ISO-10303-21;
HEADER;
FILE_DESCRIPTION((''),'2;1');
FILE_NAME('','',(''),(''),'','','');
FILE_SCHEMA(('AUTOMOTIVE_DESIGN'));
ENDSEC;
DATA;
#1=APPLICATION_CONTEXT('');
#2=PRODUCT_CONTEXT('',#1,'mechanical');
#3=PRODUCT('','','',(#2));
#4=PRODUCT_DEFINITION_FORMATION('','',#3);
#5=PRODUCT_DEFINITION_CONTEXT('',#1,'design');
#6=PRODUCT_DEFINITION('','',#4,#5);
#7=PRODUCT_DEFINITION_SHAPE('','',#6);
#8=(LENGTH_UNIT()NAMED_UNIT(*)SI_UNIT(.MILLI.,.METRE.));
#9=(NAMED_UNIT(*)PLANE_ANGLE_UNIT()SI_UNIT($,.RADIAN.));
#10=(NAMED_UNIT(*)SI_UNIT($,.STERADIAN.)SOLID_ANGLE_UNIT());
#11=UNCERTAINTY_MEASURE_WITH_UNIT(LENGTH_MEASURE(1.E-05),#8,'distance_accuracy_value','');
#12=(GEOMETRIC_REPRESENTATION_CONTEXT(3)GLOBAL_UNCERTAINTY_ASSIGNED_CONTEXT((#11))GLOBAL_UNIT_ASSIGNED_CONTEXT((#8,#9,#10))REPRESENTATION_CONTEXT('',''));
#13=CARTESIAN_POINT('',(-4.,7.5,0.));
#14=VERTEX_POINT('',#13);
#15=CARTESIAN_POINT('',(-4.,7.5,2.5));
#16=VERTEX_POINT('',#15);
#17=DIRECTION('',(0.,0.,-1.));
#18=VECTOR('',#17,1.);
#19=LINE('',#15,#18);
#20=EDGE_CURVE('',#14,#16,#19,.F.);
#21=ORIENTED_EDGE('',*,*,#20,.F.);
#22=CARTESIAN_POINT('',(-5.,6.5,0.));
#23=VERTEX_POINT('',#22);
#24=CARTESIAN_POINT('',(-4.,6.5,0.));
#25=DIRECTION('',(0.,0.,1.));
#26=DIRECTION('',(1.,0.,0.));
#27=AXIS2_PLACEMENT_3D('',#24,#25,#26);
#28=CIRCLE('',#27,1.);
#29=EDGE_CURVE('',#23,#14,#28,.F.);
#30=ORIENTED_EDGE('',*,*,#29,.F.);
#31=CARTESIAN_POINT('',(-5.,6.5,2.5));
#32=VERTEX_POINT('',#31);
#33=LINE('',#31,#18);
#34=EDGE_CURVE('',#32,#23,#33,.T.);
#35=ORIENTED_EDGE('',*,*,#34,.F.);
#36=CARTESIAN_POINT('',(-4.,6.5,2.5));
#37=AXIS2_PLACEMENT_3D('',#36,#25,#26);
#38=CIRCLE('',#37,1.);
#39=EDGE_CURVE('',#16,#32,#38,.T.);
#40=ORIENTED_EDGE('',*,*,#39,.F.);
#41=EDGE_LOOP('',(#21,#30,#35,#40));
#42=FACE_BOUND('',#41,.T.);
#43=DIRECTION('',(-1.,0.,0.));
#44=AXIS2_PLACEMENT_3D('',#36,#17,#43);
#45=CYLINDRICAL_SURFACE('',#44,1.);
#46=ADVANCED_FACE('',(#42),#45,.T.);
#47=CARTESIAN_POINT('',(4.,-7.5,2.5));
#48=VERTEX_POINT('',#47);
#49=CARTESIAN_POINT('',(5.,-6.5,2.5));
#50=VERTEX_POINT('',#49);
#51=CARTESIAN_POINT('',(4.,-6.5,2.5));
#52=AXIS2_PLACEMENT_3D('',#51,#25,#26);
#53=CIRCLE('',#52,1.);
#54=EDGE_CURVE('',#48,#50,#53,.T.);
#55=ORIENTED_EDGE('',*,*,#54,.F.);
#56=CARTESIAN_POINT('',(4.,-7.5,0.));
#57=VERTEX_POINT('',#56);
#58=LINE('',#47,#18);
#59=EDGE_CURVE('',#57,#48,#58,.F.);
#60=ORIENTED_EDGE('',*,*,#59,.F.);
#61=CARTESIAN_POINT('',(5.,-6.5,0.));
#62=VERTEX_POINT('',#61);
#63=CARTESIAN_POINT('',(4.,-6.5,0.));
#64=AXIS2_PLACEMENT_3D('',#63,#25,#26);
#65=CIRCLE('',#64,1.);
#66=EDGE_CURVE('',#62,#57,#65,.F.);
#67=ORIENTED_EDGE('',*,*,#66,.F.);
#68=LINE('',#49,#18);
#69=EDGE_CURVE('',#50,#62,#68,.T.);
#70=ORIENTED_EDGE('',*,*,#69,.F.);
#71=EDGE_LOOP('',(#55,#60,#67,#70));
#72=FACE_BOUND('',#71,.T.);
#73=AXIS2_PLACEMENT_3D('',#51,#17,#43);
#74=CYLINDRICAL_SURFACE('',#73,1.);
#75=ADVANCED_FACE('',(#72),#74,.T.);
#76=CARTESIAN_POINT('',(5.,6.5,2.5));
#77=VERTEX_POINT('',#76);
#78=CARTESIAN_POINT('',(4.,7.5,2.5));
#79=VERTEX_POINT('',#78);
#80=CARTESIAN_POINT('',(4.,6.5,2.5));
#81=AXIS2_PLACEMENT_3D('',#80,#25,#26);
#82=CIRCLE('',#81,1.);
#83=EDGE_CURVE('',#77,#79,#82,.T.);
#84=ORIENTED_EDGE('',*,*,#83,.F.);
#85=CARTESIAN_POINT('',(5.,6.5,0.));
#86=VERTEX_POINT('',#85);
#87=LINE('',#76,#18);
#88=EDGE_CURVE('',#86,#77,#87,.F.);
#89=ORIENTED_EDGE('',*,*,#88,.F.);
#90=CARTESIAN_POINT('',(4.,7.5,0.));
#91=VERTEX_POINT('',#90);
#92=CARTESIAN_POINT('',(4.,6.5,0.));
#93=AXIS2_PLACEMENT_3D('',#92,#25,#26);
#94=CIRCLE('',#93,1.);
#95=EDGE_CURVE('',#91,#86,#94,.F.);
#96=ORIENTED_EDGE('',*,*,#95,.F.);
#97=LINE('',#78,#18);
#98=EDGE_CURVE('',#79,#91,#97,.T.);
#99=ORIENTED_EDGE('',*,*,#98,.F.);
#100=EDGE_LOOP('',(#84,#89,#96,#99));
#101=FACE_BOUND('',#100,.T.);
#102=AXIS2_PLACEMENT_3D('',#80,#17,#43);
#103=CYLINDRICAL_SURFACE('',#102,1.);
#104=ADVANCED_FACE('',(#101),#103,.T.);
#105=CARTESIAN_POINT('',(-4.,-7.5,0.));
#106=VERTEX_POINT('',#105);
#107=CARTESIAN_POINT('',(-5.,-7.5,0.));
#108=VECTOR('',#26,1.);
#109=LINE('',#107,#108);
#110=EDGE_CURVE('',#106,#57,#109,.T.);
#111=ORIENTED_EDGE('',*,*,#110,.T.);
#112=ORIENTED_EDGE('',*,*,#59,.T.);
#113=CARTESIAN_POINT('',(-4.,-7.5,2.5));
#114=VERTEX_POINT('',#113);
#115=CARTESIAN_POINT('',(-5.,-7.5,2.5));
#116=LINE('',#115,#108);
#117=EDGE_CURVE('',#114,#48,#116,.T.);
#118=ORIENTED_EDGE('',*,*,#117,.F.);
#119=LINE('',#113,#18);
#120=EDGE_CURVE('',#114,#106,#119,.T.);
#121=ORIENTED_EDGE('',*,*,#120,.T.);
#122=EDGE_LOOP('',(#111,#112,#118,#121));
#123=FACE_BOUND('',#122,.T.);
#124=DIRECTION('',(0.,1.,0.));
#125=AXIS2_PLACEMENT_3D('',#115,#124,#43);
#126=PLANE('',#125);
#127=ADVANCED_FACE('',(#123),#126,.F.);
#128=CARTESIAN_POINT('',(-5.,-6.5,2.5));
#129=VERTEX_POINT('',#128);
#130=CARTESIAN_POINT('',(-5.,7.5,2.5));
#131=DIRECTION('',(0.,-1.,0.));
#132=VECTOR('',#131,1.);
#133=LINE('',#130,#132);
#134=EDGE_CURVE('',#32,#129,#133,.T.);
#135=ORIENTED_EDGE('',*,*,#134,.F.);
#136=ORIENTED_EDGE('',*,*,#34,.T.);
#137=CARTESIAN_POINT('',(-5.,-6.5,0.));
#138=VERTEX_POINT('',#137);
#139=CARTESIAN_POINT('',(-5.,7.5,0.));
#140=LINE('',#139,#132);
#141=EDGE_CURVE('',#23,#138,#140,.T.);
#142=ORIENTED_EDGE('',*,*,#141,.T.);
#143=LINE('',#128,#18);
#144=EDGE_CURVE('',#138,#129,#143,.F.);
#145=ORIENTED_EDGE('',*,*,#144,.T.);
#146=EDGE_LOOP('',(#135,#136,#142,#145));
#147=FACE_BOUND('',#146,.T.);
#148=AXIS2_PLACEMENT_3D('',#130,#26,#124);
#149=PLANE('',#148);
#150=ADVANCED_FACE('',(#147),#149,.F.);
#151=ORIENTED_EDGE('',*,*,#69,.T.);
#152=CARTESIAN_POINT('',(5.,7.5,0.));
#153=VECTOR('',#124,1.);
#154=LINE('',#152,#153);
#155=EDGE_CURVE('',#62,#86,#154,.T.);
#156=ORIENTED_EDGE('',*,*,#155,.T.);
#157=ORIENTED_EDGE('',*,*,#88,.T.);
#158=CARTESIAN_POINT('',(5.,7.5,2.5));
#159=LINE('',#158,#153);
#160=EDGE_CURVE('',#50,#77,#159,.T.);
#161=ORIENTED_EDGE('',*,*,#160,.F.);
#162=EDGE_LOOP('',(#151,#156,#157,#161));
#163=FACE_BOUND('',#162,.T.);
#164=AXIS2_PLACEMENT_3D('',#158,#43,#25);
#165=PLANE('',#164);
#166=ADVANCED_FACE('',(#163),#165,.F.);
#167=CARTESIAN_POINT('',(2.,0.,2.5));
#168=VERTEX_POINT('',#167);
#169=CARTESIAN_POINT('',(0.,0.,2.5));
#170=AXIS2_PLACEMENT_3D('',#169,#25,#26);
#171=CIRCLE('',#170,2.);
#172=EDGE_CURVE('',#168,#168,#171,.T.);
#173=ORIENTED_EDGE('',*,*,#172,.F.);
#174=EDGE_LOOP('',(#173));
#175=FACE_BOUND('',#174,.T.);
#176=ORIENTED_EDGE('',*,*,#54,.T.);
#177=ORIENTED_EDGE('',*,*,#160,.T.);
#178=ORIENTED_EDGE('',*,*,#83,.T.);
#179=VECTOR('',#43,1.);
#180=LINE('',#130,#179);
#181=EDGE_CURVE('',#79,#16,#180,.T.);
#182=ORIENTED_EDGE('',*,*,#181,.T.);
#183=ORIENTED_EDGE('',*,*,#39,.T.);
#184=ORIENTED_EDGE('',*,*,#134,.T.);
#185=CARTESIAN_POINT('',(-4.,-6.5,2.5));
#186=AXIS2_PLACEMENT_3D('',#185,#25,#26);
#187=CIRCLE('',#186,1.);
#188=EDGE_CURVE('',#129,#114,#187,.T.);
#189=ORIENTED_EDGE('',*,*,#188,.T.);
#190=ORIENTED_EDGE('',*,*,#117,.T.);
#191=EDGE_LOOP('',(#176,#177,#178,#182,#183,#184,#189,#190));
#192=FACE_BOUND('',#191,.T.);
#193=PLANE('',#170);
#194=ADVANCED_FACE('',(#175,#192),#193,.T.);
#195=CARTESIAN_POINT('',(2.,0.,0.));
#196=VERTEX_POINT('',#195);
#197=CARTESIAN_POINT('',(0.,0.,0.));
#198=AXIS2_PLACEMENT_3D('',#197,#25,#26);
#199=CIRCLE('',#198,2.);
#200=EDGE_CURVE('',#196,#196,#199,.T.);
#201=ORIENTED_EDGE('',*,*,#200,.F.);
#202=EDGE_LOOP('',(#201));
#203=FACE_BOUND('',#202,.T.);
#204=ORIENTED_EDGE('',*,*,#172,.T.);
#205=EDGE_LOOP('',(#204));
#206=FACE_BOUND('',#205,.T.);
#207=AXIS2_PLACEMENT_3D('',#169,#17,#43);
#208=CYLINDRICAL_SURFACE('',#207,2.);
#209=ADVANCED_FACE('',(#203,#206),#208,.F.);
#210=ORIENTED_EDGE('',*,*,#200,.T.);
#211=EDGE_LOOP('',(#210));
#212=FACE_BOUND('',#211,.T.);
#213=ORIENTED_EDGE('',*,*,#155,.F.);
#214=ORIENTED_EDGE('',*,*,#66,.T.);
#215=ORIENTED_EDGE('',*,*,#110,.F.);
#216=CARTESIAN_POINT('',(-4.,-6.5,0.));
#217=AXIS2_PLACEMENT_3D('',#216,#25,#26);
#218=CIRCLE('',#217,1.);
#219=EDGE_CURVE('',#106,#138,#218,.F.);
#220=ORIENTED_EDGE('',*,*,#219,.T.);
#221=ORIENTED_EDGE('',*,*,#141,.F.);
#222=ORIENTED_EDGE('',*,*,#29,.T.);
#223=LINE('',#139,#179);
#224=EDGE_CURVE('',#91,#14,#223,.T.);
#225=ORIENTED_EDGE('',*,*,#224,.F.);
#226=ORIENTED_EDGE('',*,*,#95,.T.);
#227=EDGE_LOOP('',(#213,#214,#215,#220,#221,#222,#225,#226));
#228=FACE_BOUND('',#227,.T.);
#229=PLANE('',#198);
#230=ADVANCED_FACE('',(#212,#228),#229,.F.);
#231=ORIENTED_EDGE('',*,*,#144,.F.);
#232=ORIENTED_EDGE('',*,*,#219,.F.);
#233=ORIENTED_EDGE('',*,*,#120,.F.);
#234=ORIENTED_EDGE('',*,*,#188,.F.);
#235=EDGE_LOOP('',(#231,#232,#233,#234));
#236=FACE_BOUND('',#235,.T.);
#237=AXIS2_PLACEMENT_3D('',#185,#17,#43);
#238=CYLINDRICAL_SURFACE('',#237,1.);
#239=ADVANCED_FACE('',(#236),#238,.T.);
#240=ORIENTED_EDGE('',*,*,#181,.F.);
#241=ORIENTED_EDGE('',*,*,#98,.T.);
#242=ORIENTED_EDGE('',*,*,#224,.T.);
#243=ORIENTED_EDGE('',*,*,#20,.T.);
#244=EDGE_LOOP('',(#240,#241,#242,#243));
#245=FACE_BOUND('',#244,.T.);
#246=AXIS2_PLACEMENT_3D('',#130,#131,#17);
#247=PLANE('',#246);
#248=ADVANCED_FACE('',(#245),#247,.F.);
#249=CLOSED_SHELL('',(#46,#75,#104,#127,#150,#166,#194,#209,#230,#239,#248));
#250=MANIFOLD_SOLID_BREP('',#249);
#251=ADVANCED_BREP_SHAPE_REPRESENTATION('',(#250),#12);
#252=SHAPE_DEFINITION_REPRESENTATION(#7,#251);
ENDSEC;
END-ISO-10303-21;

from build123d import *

# Parameters (mm, degrees)
SKETCH_1_W      = 10
SKETCH_1_H      = 15
SKETCH_1_R      = 2
EXTRUDE_1_DEPTH = 2.5
FILLET_1_R      = 1


with BuildPart() as part:
    # ｽｹｯﾁ1 → ﾎﾞｽ - 押し出し1 (new body)
    with BuildSketch(Plane.XY):
        Rectangle(SKETCH_1_W, SKETCH_1_H)
        Circle(SKETCH_1_R, mode=Mode.SUBTRACT)
    extrude(amount=EXTRUDE_1_DEPTH)

    # ﾌｨﾚｯﾄ1
    fillet_1_edges = [part.edges().sort_by_distance(p)[0] for p in [
        (5, -7.5, 1.25),
        (-5, -7.5, 1.25),
        (-5, 7.5, 1.25),
        (5, 7.5, 1.25),
    ]]
    fillet(fillet_1_edges, radius=FILLET_1_R)


solid = part.part
